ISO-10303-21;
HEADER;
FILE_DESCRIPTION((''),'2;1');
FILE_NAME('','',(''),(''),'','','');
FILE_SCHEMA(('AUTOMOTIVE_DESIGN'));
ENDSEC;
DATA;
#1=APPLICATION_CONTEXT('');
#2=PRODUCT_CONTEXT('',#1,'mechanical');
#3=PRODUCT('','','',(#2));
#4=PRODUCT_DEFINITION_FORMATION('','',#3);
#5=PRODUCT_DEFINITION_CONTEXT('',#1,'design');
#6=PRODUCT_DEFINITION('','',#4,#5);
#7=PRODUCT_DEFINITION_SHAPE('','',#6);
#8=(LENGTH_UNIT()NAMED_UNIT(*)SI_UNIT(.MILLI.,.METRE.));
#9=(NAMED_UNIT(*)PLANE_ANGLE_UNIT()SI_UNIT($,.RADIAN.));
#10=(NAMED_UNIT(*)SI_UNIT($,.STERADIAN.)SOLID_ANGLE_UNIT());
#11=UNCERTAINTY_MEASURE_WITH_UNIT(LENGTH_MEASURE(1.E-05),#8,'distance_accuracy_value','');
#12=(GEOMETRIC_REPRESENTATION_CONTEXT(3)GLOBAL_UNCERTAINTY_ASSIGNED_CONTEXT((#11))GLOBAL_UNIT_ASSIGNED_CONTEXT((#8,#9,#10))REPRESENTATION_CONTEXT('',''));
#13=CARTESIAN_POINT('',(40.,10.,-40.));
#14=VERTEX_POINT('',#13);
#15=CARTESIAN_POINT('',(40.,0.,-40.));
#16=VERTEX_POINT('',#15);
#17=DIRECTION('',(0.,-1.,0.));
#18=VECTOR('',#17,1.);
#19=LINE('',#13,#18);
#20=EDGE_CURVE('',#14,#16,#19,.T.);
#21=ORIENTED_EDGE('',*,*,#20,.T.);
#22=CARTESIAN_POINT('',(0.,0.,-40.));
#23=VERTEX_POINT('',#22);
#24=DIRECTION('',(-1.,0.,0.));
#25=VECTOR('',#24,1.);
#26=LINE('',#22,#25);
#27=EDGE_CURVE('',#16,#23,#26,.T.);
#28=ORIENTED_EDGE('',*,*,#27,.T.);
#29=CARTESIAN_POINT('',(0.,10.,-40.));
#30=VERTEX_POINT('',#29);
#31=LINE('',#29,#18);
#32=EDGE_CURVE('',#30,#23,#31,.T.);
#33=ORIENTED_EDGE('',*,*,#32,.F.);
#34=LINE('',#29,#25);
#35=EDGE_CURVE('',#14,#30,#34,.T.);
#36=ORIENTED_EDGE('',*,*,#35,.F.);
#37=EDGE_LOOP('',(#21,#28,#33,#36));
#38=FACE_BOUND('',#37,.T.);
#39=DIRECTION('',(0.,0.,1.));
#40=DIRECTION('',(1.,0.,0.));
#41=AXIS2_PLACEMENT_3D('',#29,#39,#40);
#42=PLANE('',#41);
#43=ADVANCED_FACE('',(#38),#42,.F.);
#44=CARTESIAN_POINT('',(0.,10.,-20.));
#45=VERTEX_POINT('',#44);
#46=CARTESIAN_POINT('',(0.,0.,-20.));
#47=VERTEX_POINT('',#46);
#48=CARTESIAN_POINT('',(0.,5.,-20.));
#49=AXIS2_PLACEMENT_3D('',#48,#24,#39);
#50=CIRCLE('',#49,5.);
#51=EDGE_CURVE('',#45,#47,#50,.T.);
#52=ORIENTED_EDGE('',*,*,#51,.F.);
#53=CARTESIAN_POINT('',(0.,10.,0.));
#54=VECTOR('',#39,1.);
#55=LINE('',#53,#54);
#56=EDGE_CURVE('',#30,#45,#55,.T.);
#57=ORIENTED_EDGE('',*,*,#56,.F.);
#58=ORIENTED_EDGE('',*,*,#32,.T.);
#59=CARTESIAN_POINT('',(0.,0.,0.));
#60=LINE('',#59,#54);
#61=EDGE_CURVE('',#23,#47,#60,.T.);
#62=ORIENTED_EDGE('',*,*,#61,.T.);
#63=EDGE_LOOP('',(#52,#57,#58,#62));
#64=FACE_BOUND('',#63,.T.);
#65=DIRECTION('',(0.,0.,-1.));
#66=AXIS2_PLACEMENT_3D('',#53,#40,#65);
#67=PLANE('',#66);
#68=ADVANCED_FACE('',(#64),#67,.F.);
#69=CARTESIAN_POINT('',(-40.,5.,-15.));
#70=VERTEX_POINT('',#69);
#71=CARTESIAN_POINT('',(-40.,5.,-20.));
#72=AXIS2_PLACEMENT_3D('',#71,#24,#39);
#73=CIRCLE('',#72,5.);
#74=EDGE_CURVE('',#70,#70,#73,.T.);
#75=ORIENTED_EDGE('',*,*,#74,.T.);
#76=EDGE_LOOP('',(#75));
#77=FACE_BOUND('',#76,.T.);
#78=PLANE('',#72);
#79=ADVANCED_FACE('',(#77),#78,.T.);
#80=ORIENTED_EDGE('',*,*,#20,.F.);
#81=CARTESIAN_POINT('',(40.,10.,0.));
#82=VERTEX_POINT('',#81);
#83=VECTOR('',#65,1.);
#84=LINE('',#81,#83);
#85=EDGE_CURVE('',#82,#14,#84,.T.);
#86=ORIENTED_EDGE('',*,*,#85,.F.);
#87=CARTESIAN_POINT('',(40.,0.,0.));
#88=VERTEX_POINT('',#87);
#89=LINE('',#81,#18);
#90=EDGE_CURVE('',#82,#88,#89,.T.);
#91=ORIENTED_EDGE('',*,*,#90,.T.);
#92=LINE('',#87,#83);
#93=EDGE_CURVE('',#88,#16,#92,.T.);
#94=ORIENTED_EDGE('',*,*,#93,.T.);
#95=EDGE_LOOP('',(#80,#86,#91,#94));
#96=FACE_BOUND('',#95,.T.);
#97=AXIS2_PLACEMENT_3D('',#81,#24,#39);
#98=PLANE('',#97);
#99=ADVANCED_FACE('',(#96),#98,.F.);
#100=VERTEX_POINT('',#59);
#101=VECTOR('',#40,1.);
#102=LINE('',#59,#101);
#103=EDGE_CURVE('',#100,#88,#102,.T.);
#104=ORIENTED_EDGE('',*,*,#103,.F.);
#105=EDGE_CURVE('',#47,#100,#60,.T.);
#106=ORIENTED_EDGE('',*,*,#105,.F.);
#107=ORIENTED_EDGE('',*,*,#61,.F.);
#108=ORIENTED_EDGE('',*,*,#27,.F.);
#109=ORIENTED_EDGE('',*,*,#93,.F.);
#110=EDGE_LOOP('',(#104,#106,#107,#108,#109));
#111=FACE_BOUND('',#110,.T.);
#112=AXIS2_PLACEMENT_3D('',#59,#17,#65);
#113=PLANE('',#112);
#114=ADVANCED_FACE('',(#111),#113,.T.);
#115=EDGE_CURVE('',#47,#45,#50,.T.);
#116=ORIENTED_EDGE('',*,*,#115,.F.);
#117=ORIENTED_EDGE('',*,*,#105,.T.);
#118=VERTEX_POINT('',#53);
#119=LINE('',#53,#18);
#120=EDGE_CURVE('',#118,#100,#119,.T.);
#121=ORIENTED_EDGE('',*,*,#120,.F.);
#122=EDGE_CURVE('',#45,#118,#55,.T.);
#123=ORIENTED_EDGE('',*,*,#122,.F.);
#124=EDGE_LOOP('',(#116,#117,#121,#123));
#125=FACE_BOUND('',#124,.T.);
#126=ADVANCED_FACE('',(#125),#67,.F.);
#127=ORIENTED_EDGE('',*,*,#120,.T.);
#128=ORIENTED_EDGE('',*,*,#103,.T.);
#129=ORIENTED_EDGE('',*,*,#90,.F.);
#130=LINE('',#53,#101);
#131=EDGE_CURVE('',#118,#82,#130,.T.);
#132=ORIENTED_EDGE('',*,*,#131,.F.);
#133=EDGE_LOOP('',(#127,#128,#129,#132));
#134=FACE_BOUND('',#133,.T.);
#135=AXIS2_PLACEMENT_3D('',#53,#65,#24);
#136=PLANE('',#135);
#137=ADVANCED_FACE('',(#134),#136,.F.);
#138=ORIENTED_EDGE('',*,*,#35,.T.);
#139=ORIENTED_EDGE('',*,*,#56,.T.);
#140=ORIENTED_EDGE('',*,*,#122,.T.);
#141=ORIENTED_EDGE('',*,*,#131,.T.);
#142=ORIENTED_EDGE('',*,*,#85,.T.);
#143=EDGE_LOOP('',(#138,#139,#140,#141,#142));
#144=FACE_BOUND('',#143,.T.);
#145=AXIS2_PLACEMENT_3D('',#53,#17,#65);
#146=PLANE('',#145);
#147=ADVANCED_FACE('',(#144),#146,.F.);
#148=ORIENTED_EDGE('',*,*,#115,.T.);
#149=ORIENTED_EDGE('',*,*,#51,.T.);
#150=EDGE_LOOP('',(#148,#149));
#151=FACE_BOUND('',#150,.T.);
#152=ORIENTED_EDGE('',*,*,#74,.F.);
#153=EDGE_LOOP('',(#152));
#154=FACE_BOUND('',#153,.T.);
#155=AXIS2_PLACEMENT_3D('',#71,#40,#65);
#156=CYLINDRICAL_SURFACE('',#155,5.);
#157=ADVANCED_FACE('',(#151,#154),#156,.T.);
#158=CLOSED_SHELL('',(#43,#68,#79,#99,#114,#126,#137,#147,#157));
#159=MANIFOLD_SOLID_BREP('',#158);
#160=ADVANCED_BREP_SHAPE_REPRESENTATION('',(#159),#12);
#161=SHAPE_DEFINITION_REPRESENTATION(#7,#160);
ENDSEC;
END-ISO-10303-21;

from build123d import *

# Parameters (mm, degrees)
CROQUIS1_W              = 40
CROQUIS1_H              = 40
SALIENTE_EXTRUIR1_DEPTH = 10
CROQUIS2_R              = 5
SALIENTE_EXTRUIR2_DEPTH = 40


with BuildPart() as part:
    # Croquis1 → Saliente-Extruir1 (new body)
    with BuildSketch(Plane(origin=(0, 0, 0), x_dir=(1, 0, 0), z_dir=(0, 1, 0))):
        with Locations((20, 20)):
            Rectangle(CROQUIS1_W, CROQUIS1_H)
    extrude(amount=SALIENTE_EXTRUIR1_DEPTH)

    # Croquis2 → Saliente-Extruir2 (add)
    with BuildSketch(Plane.ZY):
        with Locations(Location((-20, 5, 0), (0, 0, 270))):
            Circle(CROQUIS2_R)
    extrude(amount=SALIENTE_EXTRUIR2_DEPTH)


solid = part.part
